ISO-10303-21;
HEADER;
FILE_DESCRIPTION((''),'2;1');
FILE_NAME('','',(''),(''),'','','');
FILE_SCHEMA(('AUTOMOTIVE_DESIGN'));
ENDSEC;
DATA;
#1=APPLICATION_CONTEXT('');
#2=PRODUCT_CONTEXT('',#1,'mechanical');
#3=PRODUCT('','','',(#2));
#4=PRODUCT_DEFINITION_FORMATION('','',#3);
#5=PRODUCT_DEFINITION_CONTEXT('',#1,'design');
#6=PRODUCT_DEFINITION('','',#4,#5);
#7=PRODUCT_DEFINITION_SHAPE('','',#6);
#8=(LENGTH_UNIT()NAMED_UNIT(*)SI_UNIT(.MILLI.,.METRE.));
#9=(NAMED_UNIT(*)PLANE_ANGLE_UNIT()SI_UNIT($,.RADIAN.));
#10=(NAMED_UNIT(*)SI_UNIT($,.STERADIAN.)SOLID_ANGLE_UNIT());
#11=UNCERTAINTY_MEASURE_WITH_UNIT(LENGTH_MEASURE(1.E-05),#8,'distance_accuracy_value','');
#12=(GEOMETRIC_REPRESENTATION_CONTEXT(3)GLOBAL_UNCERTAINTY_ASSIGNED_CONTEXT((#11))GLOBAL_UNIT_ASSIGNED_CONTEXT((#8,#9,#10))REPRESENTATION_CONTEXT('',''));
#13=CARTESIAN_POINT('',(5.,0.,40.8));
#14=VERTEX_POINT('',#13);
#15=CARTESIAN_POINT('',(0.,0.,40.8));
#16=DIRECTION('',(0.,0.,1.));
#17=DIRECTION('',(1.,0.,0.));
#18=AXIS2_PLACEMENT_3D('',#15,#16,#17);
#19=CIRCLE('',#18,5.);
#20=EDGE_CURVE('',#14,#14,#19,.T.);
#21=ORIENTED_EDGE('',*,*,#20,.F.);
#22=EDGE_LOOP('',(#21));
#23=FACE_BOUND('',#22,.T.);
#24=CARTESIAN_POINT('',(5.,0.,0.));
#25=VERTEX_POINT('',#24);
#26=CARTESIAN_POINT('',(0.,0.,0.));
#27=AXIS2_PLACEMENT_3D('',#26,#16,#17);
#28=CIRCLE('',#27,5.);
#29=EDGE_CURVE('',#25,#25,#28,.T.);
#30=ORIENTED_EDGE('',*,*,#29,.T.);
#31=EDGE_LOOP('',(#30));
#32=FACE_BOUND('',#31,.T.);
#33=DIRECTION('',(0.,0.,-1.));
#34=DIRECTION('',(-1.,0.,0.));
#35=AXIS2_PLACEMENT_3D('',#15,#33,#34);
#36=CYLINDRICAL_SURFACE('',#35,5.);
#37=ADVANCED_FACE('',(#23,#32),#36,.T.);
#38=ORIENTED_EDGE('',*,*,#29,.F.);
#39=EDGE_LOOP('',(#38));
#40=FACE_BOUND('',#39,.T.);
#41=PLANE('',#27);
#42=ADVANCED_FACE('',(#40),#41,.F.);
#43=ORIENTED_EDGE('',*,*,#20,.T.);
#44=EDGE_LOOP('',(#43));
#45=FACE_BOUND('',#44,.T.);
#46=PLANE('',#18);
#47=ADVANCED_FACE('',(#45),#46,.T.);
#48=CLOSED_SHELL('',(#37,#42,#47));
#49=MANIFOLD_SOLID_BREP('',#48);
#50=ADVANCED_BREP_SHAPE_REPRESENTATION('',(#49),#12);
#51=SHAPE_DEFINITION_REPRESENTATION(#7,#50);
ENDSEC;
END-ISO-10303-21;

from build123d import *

# Parameters (mm, degrees)
SKETCH1_R           = 5
BOSS_EXTRUDE1_DEPTH = 40.8


with BuildPart() as part:
    # Sketch1 → Boss-Extrude1 (new body)
    with BuildSketch(Plane.XY):
        Circle(SKETCH1_R)
    extrude(amount=BOSS_EXTRUDE1_DEPTH)


solid = part.part
